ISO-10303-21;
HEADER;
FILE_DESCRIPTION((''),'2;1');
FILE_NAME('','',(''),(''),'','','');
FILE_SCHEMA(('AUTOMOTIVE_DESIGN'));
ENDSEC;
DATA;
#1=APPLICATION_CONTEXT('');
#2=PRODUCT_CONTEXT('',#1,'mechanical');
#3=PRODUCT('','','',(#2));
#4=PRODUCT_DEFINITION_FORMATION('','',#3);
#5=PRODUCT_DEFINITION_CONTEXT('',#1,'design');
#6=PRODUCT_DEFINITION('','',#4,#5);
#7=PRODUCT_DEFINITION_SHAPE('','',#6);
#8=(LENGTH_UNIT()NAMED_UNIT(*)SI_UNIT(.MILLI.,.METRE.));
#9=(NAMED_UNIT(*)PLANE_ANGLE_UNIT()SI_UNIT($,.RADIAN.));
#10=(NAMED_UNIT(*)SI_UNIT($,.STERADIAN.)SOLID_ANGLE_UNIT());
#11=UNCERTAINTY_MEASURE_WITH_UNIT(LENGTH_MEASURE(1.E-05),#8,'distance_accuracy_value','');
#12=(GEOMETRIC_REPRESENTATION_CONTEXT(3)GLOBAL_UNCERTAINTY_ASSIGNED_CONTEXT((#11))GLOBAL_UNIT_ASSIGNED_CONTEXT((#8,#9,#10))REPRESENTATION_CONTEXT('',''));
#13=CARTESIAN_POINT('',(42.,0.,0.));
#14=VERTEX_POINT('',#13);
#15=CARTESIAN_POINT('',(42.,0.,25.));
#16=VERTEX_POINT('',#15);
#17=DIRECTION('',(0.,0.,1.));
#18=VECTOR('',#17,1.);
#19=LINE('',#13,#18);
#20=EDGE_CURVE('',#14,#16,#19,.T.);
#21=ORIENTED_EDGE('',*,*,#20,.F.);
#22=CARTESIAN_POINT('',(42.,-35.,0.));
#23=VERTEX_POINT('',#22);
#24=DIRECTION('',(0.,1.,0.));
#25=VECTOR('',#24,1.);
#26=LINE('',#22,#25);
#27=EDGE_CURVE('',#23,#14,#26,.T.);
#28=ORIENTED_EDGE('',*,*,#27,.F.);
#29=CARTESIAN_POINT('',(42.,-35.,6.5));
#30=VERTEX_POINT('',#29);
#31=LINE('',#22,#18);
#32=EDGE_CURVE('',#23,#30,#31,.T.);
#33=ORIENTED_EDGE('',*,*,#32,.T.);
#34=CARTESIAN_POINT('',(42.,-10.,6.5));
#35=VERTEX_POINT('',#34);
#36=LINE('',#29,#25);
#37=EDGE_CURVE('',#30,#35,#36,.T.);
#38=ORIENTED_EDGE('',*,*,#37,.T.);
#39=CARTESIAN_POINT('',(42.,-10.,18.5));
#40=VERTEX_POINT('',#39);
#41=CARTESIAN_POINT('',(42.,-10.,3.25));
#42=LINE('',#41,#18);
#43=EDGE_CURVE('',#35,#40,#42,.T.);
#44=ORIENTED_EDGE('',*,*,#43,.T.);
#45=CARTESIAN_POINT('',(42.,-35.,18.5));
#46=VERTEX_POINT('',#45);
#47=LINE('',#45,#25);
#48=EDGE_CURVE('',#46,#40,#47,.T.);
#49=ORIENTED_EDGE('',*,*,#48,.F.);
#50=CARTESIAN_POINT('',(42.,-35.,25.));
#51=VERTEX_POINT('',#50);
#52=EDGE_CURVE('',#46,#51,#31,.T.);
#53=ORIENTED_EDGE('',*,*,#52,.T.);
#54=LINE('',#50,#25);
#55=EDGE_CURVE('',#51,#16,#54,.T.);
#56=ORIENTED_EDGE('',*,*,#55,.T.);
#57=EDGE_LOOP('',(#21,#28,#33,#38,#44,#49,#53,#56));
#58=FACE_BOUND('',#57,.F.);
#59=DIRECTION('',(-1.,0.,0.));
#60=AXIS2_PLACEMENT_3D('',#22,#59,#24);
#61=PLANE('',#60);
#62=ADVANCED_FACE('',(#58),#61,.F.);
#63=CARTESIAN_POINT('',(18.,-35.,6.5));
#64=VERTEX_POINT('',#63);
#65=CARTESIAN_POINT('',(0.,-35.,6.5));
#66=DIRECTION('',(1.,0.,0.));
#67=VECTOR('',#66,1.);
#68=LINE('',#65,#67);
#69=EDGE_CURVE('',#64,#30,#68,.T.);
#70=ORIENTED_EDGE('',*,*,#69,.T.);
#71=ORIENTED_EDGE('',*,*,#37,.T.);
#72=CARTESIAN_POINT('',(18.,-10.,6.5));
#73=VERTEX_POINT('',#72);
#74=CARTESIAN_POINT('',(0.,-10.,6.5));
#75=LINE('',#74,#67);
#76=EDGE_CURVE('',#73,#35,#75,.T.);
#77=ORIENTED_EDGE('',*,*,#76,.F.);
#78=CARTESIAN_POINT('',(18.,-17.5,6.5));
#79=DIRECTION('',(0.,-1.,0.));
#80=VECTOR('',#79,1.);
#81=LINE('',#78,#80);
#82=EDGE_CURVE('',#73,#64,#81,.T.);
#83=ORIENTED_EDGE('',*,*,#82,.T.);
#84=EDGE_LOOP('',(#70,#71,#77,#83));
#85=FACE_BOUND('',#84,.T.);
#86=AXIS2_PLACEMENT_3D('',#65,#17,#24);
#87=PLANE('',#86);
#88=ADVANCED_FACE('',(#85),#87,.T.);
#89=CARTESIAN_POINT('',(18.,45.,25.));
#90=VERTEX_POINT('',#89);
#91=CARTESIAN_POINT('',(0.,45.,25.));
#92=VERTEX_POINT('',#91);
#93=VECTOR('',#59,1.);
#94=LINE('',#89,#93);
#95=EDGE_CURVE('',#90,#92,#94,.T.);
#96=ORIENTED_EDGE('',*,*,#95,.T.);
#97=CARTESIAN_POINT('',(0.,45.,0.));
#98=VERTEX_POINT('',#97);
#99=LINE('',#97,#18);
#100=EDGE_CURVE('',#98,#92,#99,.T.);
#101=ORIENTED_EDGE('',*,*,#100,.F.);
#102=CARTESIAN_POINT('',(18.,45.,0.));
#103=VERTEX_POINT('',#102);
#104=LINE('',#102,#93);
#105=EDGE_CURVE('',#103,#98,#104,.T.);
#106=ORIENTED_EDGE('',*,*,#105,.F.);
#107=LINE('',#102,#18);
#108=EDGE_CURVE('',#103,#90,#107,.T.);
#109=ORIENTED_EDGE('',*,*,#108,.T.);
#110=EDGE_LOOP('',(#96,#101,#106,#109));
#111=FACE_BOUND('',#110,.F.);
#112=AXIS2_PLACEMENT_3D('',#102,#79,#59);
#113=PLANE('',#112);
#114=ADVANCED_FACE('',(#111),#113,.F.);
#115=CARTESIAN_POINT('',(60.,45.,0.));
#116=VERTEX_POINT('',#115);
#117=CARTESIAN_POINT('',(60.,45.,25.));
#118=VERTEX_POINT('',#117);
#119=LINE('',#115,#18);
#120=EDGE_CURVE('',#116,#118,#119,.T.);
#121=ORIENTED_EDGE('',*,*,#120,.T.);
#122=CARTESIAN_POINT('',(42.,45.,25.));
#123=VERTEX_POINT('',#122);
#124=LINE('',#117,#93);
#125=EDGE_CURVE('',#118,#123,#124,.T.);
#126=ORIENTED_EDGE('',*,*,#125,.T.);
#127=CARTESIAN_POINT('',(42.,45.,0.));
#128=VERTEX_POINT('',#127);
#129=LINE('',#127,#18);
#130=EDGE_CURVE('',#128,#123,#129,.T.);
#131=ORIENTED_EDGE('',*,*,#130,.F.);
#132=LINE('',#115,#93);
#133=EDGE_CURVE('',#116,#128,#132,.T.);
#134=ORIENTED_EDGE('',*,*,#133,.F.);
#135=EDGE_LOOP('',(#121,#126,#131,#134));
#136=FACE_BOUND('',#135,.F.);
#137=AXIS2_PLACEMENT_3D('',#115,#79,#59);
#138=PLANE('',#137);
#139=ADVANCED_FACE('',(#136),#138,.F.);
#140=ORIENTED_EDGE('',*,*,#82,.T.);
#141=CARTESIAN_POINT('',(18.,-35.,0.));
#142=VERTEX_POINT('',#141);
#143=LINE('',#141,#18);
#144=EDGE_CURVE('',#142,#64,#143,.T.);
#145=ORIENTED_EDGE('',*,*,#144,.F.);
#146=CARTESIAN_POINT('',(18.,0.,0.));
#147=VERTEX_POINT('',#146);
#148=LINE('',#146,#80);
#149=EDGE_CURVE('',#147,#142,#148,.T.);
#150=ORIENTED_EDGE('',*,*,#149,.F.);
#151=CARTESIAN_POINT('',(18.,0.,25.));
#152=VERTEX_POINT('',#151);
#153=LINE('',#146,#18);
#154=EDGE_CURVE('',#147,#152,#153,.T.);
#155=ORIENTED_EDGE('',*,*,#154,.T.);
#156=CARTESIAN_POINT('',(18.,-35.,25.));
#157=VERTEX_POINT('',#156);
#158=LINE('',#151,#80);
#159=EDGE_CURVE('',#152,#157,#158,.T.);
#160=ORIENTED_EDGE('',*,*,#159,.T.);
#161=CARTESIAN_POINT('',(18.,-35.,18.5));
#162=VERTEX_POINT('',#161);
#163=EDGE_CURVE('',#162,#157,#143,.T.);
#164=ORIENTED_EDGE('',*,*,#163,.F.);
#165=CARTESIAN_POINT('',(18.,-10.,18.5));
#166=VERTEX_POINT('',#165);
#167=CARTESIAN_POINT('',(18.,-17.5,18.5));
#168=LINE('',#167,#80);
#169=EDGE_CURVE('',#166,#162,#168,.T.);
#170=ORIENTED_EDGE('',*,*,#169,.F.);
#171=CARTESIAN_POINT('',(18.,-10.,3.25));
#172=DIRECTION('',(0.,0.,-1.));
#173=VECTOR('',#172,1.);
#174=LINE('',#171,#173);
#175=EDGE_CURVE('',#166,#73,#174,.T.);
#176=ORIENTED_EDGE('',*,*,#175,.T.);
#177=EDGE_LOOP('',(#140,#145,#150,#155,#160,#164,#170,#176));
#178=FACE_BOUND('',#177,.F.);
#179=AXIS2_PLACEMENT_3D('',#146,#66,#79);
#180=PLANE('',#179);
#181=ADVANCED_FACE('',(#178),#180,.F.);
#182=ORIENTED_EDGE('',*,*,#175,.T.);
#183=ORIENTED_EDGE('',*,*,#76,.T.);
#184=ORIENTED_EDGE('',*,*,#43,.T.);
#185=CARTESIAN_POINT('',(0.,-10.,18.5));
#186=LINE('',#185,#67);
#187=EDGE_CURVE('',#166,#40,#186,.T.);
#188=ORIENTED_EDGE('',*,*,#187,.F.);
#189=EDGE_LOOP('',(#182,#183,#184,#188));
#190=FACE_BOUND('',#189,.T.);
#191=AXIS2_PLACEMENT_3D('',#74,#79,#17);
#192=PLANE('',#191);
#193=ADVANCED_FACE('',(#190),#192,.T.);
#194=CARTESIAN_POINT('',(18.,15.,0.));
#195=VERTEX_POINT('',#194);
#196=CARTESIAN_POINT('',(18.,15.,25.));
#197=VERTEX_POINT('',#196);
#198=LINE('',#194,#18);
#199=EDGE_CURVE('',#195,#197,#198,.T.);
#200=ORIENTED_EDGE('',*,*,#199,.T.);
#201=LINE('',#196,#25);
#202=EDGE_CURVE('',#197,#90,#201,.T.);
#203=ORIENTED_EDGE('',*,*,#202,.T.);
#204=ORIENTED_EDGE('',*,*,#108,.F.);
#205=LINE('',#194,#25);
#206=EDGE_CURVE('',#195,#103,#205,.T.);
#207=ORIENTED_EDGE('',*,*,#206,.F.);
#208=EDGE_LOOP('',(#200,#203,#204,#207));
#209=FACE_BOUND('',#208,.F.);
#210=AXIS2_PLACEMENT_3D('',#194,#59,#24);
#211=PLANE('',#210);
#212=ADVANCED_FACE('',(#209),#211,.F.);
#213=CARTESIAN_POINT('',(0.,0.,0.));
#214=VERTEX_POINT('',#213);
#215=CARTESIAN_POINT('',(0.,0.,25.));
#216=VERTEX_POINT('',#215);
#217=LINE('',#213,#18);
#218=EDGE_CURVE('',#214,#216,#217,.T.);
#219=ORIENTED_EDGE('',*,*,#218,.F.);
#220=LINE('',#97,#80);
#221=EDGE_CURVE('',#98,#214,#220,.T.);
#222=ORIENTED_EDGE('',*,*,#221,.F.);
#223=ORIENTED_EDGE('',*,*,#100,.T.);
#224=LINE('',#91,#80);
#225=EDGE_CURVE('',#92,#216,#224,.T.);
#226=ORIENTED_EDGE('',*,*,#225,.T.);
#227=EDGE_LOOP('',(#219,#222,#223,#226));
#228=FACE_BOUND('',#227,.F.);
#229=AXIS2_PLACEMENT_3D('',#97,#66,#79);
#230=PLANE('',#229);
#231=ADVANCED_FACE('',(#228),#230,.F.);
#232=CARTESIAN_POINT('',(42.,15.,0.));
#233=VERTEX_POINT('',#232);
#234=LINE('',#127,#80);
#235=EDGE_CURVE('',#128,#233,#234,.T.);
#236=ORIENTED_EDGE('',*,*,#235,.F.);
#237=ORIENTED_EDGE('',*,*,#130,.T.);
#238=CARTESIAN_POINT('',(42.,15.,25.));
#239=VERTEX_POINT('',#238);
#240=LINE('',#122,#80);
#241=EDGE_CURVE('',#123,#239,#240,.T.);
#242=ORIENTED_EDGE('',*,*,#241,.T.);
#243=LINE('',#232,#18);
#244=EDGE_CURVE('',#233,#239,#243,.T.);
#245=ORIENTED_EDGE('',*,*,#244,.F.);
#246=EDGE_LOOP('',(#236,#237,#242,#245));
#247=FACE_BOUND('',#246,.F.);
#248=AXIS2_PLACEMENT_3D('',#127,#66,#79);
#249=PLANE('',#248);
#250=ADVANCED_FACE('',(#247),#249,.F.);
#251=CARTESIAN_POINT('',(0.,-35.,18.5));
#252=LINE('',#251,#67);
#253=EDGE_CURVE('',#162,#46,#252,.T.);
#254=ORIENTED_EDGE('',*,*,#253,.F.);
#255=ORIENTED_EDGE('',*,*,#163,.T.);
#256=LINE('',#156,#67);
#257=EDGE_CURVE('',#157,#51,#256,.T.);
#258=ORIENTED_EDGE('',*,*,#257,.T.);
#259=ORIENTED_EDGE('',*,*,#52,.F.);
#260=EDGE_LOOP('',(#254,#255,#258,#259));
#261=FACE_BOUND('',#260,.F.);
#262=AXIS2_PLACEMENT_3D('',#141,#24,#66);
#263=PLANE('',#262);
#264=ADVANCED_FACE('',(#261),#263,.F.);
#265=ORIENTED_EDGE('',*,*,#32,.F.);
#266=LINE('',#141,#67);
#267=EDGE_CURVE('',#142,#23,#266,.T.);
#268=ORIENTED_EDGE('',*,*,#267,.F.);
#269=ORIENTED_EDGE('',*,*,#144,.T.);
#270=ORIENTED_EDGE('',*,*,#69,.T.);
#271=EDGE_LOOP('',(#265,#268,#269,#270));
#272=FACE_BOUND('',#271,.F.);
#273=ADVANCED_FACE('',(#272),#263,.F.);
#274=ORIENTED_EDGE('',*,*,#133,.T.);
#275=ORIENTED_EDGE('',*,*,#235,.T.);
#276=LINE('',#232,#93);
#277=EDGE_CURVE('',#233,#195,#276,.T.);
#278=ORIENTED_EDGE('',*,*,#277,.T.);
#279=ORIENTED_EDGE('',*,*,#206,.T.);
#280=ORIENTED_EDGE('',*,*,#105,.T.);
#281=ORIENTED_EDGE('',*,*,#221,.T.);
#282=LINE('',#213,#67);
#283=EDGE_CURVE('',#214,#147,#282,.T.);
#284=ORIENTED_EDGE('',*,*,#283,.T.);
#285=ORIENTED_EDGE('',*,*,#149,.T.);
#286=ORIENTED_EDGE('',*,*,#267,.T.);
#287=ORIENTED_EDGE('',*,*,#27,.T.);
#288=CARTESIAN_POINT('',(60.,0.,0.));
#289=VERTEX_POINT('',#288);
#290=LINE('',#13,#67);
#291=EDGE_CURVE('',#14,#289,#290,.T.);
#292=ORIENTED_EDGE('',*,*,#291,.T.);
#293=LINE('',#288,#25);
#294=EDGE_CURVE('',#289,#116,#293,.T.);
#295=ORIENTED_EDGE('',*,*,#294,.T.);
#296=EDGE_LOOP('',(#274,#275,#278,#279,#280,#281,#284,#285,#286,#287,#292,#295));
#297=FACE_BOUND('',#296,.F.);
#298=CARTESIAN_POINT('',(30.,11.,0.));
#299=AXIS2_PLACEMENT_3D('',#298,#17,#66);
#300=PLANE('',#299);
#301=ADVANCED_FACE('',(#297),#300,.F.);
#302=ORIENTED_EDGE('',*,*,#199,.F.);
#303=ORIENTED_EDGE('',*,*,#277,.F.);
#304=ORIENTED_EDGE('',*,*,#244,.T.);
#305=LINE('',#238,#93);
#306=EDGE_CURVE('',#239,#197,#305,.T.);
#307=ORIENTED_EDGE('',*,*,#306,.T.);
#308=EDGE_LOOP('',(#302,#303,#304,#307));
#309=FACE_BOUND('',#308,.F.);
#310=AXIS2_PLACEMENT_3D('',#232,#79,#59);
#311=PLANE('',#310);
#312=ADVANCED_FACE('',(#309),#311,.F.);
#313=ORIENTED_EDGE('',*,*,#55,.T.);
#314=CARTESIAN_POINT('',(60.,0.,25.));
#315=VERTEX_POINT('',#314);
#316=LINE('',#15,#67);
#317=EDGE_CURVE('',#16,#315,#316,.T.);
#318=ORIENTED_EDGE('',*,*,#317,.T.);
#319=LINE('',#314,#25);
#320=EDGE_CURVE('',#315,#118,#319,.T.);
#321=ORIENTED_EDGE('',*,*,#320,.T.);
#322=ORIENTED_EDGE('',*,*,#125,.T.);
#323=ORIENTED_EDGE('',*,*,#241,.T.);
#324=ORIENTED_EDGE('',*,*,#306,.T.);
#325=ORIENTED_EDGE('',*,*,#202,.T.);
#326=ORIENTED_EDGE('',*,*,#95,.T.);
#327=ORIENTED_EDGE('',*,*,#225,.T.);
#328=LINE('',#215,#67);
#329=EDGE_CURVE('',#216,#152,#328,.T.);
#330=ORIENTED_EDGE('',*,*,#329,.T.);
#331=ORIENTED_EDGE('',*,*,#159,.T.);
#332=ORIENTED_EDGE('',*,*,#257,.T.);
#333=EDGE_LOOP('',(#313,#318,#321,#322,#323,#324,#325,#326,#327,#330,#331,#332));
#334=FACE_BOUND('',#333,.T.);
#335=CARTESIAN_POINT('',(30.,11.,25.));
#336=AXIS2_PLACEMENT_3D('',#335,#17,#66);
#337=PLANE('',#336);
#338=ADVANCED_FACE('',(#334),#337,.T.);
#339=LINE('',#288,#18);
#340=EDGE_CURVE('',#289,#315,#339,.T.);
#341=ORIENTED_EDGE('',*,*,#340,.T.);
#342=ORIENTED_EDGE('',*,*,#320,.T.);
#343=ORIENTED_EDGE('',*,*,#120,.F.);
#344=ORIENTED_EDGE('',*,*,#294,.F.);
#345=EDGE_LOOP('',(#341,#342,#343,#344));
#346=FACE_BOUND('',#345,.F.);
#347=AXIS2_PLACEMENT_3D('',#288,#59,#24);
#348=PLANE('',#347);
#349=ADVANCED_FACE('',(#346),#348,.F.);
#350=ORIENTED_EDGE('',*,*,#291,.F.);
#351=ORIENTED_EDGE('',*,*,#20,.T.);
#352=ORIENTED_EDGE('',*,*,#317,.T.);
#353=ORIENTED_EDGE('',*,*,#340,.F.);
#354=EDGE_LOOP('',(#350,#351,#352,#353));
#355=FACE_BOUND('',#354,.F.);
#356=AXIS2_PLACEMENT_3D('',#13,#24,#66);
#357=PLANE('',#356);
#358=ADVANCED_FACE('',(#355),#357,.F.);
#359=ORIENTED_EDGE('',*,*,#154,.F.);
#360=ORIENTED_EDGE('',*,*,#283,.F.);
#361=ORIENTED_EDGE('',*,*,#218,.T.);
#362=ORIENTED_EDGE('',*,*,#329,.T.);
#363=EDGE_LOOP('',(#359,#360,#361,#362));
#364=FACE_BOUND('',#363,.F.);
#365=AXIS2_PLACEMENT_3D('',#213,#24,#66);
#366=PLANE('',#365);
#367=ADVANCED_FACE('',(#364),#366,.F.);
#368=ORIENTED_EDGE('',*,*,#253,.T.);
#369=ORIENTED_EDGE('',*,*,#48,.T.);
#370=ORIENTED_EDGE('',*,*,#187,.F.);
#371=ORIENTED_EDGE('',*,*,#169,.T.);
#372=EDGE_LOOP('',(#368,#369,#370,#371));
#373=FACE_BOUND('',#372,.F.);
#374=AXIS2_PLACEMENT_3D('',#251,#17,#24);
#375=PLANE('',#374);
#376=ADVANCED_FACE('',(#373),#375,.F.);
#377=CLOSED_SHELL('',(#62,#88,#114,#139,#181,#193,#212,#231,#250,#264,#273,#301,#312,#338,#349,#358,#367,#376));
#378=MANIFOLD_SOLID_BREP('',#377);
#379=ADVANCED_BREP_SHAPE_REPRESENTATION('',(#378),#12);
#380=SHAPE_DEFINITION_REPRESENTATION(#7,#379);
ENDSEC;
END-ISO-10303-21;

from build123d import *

# Parameters (mm, degrees)
F1_DEPTH = 25
F2_W     = 25
F2_H     = 12
F3_DEPTH = 60.001


with BuildPart() as f1:
    # F0 (on Top) → F1 (new body)
    with BuildSketch(Plane.XY):
        Polygon((0, 45), (0, 0), (18, 0), (18, -35), (42, -35), (42, 0), (60, 0), (60, 45), (42, 45), (42, 15), (18, 15), (18, 45), align=None)
    extrude(amount=F1_DEPTH)

    # F2 (on Right) → F3 (cut, through all)
    with BuildSketch(Plane.YZ):
        with Locations((-22.5, 12.5)):
            Rectangle(F2_W, F2_H)
    extrude(amount=F3_DEPTH, mode=Mode.SUBTRACT)


solid = f1.part
